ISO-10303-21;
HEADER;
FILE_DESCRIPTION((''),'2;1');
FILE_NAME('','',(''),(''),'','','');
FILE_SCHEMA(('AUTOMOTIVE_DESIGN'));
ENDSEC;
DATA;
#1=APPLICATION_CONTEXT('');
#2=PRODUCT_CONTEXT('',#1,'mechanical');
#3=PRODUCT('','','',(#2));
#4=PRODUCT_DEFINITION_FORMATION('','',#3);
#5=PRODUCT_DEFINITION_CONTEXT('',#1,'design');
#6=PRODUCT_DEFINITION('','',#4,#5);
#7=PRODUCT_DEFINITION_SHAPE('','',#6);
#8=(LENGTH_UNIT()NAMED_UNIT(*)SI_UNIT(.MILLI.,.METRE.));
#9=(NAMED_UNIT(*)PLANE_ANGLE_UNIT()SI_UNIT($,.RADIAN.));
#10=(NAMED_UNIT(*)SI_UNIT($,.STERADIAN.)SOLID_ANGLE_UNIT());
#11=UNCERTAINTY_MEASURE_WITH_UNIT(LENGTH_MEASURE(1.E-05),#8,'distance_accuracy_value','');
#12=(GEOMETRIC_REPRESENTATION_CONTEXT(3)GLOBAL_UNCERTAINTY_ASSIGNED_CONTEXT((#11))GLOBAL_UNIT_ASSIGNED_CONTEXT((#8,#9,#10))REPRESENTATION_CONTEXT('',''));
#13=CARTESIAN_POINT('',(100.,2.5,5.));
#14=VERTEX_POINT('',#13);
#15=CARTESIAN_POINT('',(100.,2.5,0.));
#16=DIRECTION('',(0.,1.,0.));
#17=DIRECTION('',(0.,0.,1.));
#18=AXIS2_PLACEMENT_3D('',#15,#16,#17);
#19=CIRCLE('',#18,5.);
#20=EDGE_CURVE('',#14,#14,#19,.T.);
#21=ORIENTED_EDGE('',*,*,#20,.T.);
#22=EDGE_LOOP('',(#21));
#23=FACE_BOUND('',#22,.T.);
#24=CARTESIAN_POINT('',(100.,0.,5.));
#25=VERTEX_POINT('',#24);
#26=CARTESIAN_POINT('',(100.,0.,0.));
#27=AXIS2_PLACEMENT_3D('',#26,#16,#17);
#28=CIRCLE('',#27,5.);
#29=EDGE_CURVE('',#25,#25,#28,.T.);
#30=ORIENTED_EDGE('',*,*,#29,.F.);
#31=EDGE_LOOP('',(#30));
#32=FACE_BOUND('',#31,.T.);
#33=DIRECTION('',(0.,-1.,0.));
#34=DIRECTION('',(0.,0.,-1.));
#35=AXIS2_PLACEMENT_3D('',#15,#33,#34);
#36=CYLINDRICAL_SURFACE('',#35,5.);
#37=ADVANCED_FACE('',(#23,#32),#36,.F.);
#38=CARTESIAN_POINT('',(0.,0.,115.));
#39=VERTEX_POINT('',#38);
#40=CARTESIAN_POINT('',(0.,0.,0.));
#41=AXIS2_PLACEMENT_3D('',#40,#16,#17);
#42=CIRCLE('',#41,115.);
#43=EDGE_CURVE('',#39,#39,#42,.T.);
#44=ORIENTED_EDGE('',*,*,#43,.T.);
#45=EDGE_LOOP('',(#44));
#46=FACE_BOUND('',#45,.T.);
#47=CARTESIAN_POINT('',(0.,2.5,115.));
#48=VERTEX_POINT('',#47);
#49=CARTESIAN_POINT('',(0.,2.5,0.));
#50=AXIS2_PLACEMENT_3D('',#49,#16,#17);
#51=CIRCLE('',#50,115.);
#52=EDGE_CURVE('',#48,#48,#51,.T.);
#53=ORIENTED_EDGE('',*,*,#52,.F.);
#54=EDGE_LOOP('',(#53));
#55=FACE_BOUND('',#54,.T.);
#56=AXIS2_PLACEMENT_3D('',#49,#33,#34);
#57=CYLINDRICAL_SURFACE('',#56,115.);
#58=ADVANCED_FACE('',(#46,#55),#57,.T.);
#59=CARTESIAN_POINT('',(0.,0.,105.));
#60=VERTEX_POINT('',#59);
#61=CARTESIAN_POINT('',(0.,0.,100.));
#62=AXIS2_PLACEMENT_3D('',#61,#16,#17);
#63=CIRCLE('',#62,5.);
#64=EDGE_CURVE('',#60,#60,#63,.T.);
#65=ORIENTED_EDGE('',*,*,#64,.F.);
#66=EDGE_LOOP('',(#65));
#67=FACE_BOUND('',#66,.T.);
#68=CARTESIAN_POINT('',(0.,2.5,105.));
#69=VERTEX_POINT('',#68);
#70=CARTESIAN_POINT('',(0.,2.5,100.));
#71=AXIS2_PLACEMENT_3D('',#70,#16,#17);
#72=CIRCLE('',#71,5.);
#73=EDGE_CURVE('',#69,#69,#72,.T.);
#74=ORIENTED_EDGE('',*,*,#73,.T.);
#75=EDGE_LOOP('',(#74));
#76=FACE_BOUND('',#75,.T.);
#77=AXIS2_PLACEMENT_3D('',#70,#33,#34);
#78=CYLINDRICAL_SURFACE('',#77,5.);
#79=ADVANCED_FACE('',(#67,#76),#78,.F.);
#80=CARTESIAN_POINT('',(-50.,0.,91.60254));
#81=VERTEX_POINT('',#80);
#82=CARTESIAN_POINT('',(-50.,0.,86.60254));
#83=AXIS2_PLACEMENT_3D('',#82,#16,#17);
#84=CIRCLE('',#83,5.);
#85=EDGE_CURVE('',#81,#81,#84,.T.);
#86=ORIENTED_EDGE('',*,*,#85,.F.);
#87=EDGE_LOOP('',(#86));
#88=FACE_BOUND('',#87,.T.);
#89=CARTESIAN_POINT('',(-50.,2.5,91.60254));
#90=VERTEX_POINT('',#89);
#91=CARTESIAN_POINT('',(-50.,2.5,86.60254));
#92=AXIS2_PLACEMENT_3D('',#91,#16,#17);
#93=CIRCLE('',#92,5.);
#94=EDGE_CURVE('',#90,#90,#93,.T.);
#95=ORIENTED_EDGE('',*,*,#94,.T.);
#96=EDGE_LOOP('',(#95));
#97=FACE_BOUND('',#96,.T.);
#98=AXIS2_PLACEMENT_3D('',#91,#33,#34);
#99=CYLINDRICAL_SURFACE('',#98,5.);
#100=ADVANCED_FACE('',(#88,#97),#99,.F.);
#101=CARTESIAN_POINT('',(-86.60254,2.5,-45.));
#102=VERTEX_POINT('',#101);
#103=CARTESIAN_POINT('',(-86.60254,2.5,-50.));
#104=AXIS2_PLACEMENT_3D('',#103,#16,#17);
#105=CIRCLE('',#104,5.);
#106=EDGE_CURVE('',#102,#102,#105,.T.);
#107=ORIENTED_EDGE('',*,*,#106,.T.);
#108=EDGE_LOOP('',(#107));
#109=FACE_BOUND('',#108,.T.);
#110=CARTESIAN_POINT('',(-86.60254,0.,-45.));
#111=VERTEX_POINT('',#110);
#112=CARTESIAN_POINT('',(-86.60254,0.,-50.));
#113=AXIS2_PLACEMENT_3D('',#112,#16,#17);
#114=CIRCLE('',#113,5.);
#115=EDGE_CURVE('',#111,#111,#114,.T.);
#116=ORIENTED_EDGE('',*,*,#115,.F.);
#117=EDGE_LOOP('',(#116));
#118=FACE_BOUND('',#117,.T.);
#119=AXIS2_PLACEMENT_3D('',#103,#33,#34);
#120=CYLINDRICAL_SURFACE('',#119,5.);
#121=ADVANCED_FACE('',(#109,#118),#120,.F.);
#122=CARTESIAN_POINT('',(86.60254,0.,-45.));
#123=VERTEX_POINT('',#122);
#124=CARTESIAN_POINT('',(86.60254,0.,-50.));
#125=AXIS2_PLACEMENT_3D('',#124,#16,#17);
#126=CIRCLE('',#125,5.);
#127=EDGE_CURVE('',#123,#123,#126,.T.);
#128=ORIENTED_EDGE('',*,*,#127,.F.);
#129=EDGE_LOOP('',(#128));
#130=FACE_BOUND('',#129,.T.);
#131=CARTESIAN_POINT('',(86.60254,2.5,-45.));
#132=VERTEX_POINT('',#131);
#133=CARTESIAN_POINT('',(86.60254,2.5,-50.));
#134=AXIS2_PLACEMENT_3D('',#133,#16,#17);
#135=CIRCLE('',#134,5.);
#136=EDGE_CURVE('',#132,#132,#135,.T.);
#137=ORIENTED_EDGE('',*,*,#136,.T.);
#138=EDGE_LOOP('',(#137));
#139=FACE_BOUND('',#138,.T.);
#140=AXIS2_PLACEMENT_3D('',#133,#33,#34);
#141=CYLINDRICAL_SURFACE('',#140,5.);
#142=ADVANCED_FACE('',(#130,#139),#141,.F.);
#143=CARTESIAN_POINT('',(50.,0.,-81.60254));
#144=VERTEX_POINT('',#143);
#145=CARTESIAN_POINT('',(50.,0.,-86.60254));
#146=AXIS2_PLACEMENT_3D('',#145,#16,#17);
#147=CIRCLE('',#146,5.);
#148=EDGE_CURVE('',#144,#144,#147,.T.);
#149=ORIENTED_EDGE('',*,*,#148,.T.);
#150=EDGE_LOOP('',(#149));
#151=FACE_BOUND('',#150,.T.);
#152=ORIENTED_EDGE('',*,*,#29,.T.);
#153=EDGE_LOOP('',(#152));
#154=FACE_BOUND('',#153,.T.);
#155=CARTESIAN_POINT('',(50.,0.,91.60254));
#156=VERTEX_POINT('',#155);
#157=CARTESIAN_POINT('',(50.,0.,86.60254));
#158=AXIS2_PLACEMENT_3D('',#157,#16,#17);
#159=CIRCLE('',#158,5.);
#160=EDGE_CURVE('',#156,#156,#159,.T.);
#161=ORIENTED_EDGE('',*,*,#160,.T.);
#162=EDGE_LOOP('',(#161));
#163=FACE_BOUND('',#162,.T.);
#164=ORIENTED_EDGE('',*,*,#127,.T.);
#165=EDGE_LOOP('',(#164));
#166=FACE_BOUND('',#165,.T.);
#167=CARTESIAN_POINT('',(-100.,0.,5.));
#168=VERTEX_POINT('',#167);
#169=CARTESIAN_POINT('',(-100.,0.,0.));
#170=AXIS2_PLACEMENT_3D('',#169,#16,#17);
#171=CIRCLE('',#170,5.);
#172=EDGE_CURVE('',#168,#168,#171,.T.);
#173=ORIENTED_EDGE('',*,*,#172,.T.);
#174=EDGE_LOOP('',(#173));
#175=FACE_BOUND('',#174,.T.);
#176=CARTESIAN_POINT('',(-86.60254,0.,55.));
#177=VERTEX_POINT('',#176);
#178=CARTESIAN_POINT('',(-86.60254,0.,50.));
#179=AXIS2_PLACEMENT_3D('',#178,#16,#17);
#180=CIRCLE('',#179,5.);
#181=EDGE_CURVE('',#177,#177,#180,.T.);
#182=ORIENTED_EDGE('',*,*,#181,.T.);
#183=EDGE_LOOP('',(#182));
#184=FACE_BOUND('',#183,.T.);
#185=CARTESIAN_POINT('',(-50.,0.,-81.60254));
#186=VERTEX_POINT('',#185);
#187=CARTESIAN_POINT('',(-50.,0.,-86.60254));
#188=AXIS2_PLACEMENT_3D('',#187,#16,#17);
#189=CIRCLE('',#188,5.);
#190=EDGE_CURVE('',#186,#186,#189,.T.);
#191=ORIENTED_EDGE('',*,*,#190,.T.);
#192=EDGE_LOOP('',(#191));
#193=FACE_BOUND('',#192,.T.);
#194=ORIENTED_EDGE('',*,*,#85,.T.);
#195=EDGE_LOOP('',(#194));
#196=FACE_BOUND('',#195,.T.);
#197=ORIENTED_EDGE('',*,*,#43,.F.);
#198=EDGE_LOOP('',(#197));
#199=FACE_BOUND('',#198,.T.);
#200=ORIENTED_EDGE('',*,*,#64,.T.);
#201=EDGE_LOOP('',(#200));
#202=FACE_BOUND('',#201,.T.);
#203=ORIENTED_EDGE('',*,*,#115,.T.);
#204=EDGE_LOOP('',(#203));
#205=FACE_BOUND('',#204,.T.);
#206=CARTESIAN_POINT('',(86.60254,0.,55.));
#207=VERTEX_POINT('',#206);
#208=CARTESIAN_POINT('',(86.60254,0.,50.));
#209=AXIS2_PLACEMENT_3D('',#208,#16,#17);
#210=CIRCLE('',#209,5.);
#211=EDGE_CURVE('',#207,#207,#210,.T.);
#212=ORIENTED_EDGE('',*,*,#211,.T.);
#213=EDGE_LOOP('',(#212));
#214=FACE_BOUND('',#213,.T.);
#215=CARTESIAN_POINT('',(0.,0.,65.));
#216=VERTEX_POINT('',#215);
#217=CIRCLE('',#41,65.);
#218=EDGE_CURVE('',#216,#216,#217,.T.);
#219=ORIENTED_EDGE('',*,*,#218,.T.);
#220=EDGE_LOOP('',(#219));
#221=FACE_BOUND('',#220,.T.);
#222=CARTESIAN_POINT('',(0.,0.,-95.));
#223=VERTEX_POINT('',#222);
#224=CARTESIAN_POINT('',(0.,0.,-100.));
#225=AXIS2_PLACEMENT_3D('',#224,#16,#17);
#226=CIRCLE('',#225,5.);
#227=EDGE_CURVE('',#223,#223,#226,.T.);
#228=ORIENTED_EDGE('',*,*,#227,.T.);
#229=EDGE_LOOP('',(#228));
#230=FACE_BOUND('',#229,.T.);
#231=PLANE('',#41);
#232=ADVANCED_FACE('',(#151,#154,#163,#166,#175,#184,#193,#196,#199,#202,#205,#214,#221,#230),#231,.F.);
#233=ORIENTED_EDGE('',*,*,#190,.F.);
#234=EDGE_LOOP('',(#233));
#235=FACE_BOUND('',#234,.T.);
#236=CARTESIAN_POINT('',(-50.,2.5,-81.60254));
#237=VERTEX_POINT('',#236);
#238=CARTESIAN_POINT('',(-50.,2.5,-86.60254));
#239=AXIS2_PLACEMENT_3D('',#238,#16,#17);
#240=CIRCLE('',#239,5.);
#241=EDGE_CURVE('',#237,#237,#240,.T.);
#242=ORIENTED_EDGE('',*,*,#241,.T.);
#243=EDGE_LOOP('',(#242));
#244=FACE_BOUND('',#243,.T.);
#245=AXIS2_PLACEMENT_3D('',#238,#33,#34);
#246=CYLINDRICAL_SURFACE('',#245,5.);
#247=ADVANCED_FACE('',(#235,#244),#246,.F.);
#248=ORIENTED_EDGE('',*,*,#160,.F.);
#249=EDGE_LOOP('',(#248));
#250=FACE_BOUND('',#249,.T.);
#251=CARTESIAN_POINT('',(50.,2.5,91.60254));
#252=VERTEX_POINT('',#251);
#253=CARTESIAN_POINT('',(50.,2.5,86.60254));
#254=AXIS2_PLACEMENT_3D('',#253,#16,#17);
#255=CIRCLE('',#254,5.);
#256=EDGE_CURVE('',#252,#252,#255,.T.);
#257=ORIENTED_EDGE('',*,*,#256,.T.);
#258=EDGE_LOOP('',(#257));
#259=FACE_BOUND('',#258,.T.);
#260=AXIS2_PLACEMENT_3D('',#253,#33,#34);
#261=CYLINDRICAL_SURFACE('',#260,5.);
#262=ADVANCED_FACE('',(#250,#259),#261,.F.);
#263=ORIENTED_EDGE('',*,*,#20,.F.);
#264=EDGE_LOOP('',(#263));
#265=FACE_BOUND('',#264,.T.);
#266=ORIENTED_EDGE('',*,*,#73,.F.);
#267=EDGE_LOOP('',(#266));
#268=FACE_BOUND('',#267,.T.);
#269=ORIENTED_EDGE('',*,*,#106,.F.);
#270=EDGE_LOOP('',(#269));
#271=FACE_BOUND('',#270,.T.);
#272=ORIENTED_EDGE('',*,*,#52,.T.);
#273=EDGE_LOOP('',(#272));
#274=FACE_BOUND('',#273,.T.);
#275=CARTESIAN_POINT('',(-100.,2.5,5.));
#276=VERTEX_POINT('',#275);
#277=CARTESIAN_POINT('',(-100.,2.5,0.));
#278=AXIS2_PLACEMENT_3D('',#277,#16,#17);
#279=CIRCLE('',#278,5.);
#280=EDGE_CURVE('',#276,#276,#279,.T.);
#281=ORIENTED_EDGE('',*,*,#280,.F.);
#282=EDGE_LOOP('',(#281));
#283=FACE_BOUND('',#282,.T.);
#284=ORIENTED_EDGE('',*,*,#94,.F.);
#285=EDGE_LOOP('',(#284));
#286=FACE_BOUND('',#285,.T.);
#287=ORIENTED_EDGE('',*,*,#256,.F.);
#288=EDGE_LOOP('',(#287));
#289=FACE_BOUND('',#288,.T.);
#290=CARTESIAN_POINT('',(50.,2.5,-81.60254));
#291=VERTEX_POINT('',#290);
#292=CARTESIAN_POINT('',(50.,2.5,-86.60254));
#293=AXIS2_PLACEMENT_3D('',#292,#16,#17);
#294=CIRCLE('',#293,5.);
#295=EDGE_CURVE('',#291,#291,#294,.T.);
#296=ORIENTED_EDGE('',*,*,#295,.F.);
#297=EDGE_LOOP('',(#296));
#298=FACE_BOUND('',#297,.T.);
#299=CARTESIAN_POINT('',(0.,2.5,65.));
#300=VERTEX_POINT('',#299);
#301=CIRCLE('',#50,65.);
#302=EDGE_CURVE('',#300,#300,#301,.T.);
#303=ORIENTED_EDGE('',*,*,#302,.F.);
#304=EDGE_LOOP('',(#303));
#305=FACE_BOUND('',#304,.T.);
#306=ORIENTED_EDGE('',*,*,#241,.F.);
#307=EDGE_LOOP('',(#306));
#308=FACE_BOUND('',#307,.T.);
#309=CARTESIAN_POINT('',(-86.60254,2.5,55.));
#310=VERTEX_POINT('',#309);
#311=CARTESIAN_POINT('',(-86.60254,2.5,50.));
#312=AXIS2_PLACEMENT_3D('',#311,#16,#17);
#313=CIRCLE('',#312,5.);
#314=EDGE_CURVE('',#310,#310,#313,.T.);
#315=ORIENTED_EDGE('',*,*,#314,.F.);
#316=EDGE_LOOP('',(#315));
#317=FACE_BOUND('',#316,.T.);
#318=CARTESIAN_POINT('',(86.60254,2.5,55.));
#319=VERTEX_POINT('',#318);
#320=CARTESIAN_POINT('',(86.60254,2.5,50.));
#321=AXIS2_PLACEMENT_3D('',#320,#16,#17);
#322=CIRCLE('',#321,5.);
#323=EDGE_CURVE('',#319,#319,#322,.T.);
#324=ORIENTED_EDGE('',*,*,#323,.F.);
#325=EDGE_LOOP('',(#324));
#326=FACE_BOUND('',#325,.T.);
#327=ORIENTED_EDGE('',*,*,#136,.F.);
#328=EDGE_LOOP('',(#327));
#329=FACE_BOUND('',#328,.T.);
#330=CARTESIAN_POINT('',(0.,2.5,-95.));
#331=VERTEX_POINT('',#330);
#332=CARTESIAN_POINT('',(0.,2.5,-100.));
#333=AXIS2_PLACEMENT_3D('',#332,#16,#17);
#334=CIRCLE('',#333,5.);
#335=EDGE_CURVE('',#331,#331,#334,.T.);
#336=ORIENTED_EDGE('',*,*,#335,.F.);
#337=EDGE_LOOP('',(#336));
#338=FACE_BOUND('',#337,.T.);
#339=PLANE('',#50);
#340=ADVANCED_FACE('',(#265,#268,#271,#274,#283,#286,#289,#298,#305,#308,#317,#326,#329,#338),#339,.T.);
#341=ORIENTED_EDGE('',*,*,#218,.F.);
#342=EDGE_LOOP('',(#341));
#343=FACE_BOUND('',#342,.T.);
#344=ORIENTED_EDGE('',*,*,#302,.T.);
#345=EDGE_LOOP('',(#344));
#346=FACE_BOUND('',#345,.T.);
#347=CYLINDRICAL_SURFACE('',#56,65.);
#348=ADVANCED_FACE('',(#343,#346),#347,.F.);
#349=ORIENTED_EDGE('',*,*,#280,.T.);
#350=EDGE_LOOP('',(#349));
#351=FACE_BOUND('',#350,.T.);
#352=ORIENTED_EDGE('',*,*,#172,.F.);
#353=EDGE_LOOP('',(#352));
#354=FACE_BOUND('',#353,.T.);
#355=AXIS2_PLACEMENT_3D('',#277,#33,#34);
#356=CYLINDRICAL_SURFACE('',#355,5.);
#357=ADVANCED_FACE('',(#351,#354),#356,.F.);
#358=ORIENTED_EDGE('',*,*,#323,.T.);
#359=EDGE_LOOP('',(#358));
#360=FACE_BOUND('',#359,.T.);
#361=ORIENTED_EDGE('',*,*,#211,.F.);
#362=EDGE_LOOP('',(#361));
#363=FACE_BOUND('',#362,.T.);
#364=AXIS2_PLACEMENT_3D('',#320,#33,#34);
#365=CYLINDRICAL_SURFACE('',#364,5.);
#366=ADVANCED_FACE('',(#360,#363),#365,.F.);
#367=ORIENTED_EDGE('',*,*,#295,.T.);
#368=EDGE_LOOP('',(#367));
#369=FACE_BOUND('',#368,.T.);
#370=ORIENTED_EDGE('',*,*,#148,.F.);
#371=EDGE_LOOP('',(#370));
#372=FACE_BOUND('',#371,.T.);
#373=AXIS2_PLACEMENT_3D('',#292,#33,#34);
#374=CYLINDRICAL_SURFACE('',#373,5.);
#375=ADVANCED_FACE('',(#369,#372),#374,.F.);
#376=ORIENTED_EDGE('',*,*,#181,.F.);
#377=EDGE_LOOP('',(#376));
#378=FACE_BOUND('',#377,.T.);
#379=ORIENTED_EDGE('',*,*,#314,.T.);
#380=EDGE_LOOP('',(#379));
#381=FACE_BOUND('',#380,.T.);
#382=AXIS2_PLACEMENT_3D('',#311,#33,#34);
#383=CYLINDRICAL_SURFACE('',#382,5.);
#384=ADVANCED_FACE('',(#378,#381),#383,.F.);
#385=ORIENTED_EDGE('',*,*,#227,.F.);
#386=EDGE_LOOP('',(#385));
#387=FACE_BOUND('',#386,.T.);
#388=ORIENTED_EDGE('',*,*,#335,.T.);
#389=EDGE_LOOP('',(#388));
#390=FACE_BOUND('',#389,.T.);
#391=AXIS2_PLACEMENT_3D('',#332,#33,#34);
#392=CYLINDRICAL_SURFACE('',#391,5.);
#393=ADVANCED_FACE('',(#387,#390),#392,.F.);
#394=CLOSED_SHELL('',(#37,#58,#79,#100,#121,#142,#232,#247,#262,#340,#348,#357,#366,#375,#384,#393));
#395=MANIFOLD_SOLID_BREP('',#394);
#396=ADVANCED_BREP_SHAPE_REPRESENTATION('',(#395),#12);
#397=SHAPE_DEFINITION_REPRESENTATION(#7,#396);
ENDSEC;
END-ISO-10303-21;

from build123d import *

# Parameters (mm, degrees)
SKETCH2_R           = 115
SKETCH2_R_2         = 5
SKETCH2_R_3         = 65
BOSS_EXTRUDE1_DEPTH = 2.5


with BuildPart() as part:
    # Sketch2 → Boss-Extrude1 (new body)
    with BuildSketch(Plane(origin=(0, 0, 0), x_dir=(1, 0, 0), z_dir=(0, 1, 0))):
        with Locations(Location((0, 0, 0), (0, 0, 270))):
            Circle(SKETCH2_R)
        with Locations(Location((0, 100, 0), (0, 0, 270))):
            Circle(SKETCH2_R_2, mode=Mode.SUBTRACT)
        with Locations(Location((50, 86.602540378, 0), (0, 0, 270))):
            Circle(SKETCH2_R_2, mode=Mode.SUBTRACT)
        with Locations(Location((86.602540378, 50, 0), (0, 0, 270))):
            Circle(SKETCH2_R_2, mode=Mode.SUBTRACT)
        with Locations(Location((100, 0, 0), (0, 0, 270))):
            Circle(SKETCH2_R_2, mode=Mode.SUBTRACT)
        with Locations(Location((86.602540378, -50, 0), (0, 0, 270))):
            Circle(SKETCH2_R_2, mode=Mode.SUBTRACT)
        with Locations(Location((50, -86.602540378, 0), (0, 0, 270))):
            Circle(SKETCH2_R_2, mode=Mode.SUBTRACT)
        with Locations(Location((0, -100, 0), (0, 0, 270))):
            Circle(SKETCH2_R_2, mode=Mode.SUBTRACT)
        with Locations(Location((-50, -86.602540378, 0), (0, 0, 270))):
            Circle(SKETCH2_R_2, mode=Mode.SUBTRACT)
        with Locations(Location((-86.602540378, -50, 0), (0, 0, 270))):
            Circle(SKETCH2_R_2, mode=Mode.SUBTRACT)
        with Locations(Location((-100, 0, 0), (0, 0, 270))):
            Circle(SKETCH2_R_2, mode=Mode.SUBTRACT)
        with Locations(Location((-86.602540378, 50, 0), (0, 0, 270))):
            Circle(SKETCH2_R_2, mode=Mode.SUBTRACT)
        with Locations(Location((-50, 86.602540378, 0), (0, 0, 270))):
            Circle(SKETCH2_R_2, mode=Mode.SUBTRACT)
        with Locations(Location((0, 0, 0), (0, 0, 270))):
            Circle(SKETCH2_R_3, mode=Mode.SUBTRACT)
    extrude(amount=BOSS_EXTRUDE1_DEPTH)


solid = part.part
